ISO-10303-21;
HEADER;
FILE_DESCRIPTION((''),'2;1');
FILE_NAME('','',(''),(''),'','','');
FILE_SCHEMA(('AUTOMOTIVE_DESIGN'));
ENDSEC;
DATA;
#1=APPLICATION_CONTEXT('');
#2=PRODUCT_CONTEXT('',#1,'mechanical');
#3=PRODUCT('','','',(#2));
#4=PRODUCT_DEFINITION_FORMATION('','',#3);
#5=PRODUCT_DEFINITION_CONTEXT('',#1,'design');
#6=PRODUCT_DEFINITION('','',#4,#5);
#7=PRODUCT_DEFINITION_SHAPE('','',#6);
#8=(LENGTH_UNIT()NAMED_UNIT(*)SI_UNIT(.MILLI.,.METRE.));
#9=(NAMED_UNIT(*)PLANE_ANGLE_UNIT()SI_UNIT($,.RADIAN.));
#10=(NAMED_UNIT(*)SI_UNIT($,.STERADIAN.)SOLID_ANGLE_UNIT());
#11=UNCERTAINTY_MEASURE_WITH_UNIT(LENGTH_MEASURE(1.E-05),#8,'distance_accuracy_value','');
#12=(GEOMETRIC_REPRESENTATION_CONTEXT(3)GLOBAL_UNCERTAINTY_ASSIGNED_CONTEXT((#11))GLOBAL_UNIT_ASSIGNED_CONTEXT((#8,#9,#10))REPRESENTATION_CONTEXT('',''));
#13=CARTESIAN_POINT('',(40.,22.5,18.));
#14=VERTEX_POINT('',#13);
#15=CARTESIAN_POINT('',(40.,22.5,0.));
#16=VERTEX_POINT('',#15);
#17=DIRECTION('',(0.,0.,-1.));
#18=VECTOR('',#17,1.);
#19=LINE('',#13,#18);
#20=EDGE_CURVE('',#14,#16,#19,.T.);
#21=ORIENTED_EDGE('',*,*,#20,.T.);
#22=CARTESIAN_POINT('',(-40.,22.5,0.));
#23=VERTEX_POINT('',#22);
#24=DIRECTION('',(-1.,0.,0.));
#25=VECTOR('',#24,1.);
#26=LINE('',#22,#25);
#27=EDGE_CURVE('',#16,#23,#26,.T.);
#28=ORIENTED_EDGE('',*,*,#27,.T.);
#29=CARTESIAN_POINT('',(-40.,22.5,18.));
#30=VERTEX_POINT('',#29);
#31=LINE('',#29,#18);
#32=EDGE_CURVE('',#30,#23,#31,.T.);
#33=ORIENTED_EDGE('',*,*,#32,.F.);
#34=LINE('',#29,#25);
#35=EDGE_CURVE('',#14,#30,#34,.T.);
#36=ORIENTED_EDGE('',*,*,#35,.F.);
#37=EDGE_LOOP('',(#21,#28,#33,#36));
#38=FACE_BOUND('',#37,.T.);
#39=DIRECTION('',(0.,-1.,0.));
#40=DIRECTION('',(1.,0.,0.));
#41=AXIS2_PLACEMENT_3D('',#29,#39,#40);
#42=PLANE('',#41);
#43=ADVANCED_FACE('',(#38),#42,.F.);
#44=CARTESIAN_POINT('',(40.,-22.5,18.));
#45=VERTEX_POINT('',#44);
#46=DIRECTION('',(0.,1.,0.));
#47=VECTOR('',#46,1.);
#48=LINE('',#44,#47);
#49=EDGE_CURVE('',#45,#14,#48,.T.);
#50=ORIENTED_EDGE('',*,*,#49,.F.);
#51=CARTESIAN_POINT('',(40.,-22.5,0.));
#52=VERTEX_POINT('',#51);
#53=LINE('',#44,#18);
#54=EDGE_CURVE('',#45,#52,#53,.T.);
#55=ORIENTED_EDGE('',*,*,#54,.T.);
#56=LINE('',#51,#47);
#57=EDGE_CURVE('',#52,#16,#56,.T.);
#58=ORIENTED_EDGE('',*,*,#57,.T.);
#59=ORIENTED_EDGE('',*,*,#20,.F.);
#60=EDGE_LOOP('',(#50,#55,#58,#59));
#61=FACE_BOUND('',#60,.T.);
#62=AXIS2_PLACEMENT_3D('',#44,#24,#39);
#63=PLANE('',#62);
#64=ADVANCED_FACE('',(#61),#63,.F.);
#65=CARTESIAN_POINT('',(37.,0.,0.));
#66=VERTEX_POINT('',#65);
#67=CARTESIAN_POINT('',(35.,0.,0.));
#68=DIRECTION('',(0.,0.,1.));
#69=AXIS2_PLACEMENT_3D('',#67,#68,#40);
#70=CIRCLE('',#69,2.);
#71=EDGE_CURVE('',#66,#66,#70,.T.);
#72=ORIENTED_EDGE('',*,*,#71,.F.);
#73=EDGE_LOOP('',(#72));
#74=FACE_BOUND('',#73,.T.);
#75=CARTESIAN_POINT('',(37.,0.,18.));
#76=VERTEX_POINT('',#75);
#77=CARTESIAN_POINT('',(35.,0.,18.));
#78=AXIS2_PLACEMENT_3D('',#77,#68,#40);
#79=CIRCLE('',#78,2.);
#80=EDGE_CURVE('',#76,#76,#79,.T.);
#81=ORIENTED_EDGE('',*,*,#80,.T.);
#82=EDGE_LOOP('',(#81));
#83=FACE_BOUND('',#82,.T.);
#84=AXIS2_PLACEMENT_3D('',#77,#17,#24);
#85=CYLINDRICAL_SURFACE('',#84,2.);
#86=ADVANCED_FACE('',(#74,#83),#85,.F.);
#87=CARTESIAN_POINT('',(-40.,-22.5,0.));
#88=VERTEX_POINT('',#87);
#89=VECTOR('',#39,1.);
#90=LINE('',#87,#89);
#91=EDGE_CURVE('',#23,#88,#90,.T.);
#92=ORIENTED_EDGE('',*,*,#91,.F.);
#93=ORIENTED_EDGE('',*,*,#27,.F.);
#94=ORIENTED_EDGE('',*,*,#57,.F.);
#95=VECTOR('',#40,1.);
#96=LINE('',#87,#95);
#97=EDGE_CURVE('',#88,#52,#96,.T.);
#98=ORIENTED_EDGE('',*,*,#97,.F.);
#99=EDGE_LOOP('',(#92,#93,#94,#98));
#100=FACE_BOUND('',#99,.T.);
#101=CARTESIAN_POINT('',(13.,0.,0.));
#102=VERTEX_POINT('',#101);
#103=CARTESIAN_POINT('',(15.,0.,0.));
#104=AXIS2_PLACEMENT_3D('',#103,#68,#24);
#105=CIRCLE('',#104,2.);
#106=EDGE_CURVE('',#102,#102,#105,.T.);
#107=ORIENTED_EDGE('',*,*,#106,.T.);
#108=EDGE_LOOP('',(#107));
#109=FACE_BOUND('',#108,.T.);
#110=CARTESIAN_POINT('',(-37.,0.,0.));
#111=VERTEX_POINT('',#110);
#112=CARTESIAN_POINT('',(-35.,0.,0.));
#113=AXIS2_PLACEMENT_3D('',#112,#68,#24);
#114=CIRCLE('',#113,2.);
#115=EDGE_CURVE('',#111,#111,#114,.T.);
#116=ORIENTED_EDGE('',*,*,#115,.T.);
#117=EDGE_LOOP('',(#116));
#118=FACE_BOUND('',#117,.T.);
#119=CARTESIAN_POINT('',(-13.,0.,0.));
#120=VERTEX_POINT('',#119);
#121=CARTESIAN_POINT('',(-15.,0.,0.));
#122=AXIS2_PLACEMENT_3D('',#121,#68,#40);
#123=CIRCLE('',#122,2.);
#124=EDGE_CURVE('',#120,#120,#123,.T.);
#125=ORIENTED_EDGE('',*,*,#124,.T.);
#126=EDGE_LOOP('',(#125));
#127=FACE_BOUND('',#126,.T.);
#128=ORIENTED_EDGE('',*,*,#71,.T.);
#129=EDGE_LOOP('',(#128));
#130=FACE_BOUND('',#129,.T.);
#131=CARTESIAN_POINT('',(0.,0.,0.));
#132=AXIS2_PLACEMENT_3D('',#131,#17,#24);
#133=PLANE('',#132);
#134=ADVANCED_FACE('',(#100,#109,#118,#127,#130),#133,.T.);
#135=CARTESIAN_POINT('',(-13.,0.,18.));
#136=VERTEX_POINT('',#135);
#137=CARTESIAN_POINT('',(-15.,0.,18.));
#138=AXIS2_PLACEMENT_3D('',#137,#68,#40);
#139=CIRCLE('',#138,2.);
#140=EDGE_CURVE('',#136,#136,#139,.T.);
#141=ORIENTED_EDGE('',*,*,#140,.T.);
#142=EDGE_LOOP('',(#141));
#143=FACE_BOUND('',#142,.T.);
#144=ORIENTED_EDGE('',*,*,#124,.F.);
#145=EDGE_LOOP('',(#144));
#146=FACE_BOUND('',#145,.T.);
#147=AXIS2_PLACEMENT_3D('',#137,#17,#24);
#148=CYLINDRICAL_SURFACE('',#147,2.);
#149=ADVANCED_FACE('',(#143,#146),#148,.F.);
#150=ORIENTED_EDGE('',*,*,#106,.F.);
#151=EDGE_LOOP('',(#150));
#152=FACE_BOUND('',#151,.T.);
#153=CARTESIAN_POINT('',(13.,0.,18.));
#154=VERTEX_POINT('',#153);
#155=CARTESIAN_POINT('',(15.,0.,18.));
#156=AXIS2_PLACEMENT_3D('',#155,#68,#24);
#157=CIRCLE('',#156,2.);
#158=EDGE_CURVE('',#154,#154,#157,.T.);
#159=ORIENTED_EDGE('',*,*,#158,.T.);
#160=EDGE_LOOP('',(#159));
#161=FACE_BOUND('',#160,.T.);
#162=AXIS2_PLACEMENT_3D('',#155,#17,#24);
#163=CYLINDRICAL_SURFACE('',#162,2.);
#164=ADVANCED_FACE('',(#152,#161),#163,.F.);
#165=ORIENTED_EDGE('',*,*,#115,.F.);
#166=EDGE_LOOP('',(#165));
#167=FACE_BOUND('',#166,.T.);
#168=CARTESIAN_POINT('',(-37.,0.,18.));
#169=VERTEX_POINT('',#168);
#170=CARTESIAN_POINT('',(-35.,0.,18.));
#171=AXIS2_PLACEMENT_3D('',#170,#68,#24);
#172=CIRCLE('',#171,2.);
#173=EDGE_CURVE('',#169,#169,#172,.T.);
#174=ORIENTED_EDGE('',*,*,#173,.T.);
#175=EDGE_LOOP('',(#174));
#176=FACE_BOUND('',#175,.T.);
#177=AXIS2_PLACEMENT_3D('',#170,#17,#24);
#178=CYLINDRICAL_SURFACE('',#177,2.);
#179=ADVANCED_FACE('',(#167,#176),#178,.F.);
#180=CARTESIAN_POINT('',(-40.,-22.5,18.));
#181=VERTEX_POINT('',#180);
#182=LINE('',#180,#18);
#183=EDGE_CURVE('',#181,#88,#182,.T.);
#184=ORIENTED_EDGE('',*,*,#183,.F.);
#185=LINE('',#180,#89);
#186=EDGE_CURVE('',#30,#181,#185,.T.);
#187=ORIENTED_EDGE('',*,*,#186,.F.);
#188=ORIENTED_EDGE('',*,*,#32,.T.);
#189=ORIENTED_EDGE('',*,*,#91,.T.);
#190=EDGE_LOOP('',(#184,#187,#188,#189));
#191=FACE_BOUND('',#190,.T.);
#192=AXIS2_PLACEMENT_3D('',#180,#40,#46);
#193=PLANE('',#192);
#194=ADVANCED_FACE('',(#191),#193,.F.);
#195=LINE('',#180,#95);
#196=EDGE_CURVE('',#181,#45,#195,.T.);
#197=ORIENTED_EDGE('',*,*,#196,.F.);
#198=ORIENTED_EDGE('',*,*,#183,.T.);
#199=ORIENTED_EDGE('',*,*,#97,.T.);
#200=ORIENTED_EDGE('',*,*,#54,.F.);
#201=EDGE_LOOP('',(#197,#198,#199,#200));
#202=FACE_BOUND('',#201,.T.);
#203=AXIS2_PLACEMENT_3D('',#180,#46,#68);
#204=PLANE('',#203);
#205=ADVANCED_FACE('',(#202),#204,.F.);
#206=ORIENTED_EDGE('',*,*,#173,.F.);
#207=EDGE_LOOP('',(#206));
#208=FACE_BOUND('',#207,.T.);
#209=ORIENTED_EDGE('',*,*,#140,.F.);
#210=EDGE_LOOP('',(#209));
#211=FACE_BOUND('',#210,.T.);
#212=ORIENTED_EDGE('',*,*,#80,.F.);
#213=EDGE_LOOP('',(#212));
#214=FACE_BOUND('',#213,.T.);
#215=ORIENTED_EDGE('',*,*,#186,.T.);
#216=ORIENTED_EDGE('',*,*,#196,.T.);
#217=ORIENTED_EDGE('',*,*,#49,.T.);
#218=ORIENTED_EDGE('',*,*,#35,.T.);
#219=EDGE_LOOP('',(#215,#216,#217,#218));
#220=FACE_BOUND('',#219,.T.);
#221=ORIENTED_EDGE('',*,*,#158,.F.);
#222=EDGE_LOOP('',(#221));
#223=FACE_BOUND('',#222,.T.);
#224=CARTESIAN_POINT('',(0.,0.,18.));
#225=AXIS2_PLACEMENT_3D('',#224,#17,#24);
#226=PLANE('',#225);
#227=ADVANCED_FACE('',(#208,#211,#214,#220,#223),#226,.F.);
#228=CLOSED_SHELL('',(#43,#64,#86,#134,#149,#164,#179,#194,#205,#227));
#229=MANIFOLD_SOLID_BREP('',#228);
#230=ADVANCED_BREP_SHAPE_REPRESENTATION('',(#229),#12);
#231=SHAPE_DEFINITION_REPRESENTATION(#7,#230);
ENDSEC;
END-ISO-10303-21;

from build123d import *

# Parameters (mm, degrees)
SKETCH1_W           = 80
SKETCH1_H           = 45
SKETCH1_R           = 2
BOSS_EXTRUDE1_DEPTH = 18


with BuildPart() as part:
    # Sketch1 → Boss-Extrude1 (new body)
    with BuildSketch(Plane.XY):
        Rectangle(SKETCH1_W, SKETCH1_H)
        with Locations((35, 0)):
            Circle(SKETCH1_R, mode=Mode.SUBTRACT)
        with Locations((15, 0)):
            Circle(SKETCH1_R, mode=Mode.SUBTRACT)
        with Locations((-15, 0)):
            Circle(SKETCH1_R, mode=Mode.SUBTRACT)
        with Locations((-35, 0)):
            Circle(SKETCH1_R, mode=Mode.SUBTRACT)
    extrude(amount=BOSS_EXTRUDE1_DEPTH)


solid = part.part
